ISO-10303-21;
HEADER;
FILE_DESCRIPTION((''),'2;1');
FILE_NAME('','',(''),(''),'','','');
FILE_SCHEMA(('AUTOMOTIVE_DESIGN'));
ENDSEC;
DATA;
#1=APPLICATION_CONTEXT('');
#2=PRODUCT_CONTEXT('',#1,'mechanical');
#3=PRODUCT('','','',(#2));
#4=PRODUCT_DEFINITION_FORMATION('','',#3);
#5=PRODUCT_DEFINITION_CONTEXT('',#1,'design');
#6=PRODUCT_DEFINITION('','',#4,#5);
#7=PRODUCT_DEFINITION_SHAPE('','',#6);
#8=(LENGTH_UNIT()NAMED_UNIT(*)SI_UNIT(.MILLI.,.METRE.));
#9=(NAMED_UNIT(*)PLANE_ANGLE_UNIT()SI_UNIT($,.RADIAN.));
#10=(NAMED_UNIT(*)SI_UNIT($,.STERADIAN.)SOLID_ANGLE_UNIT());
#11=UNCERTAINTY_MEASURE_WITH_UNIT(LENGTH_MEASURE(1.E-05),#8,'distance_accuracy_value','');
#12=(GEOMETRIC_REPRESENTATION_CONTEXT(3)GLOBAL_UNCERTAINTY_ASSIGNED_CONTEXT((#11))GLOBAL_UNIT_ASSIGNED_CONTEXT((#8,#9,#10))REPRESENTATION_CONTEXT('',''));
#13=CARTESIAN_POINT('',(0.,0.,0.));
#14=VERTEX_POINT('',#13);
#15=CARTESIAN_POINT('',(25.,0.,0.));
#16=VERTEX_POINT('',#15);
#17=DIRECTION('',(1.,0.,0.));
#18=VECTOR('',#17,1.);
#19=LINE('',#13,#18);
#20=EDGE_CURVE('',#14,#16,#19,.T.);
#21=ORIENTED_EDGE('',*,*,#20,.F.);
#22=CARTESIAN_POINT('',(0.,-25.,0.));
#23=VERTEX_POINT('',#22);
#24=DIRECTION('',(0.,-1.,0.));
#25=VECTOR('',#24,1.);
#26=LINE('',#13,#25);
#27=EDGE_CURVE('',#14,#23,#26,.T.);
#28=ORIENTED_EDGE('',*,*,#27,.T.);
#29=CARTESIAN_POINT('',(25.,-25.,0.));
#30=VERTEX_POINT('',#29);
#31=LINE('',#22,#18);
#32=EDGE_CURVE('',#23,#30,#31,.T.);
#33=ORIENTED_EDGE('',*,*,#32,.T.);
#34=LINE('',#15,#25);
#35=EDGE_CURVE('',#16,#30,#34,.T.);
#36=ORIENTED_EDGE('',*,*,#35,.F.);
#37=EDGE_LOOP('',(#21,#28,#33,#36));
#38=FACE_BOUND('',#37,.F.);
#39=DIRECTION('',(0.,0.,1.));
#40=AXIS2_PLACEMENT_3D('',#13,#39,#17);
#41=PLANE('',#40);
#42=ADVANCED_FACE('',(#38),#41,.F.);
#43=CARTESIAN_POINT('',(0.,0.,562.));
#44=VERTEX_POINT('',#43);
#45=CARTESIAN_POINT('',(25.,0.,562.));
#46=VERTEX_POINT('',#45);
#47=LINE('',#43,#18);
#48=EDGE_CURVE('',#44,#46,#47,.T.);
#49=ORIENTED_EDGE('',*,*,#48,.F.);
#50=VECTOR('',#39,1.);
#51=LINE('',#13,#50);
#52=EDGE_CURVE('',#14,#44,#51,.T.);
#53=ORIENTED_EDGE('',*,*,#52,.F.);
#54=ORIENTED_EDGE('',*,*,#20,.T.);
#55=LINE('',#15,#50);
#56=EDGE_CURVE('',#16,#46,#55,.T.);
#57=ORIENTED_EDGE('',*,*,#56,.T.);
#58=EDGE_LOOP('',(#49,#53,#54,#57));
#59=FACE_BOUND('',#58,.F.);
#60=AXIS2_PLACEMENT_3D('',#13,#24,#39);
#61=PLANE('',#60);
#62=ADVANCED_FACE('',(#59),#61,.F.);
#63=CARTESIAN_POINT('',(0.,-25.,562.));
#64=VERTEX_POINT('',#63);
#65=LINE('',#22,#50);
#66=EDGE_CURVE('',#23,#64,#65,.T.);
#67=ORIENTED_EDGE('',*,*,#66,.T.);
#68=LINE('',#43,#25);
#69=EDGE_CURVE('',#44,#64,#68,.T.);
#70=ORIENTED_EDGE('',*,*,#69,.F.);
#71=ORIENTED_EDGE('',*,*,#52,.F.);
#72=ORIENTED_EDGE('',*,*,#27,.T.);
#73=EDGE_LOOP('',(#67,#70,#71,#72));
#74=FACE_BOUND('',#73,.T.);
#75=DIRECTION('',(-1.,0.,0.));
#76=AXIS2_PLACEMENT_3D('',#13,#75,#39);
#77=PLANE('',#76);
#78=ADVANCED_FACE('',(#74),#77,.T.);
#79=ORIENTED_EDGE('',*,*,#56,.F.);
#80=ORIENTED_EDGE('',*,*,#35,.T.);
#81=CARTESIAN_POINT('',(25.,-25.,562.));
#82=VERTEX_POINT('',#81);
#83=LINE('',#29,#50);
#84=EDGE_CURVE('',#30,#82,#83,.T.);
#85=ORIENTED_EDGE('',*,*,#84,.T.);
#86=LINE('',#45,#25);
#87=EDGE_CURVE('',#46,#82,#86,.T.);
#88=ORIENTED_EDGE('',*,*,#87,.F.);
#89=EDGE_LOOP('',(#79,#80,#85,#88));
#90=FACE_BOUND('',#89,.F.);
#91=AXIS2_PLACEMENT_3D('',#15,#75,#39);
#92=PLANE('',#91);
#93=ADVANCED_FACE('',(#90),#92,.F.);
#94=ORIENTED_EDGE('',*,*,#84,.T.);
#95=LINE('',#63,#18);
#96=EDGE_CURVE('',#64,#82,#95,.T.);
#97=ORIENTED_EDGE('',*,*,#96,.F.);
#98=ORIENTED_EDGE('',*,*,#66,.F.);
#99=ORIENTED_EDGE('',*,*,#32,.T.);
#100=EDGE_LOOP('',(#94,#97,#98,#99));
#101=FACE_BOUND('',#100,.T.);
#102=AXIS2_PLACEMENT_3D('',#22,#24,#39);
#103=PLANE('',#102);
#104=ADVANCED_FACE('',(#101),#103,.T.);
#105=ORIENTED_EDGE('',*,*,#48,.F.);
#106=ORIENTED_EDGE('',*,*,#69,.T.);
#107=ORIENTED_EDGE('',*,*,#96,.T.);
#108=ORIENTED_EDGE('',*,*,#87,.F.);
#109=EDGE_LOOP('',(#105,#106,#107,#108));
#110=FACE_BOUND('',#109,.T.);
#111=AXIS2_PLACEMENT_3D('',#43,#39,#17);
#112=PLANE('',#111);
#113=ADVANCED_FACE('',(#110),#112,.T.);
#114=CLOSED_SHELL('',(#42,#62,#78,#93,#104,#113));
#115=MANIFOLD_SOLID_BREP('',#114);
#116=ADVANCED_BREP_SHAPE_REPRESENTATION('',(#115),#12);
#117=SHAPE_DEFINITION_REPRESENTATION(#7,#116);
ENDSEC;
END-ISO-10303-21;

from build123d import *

# Parameters (mm, degrees)
F0_W     = 38.7412980199
F0_H     = 41.0243943334
F1_DEPTH = 562
F2_DEPTH = 25
F3_DEPTH = 25


with BuildPart() as f1:
    # F0 (on Top) → F1 (new body)
    with BuildSketch(Plane.XY):
        with Locations((19.3706490099, -20.5121971667)):
            Rectangle(F0_W, F0_H)
    extrude(amount=F1_DEPTH)

    # F2 (intersect): a face of the model
    f2_faces = [f1.faces().sort_by_distance(p)[0] for p in [
        (0, -20.5121971667, 281),
    ]]
    extrude(f2_faces, amount=-F2_DEPTH, mode=Mode.INTERSECT)

    # F3 (intersect): a face of the model
    f3_faces = [f1.faces().sort_by_distance(p)[0] for p in [
        (12.5, 0, 281),
    ]]
    extrude(f3_faces, amount=-F3_DEPTH, mode=Mode.INTERSECT)


solid = f1.part
